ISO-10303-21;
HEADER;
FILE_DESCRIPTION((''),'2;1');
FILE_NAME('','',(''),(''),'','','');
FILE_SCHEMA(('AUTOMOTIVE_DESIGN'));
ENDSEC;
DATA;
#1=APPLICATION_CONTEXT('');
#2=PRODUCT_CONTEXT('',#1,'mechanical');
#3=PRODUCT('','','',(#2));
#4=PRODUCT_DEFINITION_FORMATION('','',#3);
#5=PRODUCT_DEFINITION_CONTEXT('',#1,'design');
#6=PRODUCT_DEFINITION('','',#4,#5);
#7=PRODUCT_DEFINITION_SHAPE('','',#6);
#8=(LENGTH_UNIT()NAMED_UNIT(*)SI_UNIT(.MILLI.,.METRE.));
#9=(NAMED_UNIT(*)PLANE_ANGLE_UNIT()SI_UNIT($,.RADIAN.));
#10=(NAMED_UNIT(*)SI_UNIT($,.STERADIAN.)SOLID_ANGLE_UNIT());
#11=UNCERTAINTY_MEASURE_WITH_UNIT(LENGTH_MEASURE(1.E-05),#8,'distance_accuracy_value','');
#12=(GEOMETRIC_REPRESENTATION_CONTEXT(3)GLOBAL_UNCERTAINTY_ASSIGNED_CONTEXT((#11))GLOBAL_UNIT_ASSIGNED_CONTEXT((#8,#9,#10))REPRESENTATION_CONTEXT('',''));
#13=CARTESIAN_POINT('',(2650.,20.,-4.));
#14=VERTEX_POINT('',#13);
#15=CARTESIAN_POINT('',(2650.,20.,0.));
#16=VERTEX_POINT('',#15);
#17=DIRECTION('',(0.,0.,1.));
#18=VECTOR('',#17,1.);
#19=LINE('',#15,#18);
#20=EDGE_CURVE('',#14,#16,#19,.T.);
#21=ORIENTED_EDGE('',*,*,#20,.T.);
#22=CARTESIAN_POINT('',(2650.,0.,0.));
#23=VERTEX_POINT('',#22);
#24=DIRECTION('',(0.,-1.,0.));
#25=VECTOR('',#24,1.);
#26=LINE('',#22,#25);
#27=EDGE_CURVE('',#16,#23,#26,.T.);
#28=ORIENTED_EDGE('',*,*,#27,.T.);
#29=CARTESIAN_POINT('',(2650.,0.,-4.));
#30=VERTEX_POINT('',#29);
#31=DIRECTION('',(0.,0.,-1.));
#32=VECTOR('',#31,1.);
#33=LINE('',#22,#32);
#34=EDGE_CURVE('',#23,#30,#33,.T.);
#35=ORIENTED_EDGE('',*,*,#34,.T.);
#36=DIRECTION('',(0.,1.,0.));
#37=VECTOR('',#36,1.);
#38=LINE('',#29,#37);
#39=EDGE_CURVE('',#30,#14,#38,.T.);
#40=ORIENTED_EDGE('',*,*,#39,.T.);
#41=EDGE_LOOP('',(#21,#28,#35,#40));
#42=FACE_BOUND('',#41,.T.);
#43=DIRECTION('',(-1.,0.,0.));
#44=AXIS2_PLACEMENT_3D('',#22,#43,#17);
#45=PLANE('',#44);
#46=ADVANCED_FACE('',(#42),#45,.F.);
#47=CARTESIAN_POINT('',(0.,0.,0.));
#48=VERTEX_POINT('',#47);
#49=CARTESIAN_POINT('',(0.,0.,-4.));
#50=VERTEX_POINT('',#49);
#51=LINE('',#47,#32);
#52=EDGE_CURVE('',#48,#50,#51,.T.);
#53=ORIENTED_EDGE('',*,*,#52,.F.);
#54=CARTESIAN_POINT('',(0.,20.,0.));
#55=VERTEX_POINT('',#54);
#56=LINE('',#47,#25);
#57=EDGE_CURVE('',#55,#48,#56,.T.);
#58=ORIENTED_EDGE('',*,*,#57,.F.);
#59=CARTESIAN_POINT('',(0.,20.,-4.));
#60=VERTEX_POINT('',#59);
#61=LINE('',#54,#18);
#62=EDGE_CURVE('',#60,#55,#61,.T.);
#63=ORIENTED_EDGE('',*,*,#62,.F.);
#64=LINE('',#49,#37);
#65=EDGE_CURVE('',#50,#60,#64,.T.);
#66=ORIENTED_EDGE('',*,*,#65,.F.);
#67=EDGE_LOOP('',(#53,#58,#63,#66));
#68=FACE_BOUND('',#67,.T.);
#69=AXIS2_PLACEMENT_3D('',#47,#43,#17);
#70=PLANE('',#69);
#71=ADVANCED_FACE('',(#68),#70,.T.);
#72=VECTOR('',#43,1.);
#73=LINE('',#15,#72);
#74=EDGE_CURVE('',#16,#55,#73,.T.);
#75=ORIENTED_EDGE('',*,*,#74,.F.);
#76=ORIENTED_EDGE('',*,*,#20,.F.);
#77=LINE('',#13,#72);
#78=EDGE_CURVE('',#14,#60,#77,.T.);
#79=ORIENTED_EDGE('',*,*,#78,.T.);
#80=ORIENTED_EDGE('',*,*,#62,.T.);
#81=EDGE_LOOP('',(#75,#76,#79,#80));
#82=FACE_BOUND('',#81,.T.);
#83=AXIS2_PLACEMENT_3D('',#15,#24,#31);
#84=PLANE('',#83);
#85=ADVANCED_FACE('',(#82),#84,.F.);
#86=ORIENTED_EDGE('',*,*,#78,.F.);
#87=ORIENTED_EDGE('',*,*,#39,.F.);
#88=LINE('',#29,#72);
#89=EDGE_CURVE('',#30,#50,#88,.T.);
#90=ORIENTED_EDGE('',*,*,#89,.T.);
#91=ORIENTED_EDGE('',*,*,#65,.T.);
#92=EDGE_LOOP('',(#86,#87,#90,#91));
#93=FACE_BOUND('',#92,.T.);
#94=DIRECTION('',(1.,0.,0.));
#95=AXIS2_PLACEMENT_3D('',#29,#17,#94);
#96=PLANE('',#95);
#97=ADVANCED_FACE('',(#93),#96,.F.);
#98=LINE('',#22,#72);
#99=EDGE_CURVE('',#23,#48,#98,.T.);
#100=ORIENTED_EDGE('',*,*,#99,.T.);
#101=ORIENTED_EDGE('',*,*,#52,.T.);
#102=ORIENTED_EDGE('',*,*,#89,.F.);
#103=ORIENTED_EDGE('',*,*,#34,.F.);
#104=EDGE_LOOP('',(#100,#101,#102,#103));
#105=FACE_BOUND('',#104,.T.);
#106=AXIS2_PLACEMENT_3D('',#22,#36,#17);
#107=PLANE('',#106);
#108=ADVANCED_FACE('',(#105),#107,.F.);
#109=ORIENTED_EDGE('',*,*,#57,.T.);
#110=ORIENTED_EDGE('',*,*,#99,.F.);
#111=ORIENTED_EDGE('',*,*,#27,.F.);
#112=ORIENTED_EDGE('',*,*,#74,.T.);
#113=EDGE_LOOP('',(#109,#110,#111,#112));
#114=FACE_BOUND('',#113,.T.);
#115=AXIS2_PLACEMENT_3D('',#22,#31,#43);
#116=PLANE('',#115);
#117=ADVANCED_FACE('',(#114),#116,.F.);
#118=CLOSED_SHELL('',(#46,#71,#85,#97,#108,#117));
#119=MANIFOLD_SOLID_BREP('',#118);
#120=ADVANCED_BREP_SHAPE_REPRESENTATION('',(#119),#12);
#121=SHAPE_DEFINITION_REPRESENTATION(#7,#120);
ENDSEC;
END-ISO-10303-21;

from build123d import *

# Parameters (mm, degrees)
SKETCH_1_W      = 4
SKETCH_1_H      = 20
EXTRUDE_1_DEPTH = 2650


with BuildPart() as part:
    # Эскиз1 → Бобышка-Вытянуть1 (new body)
    with BuildSketch(Plane(origin=(0, 0, 0), x_dir=(0, 0, -1), z_dir=(1, 0, 0))):
        with Locations((2, 10)):
            Rectangle(SKETCH_1_W, SKETCH_1_H)
    extrude(amount=EXTRUDE_1_DEPTH)


solid = part.part
